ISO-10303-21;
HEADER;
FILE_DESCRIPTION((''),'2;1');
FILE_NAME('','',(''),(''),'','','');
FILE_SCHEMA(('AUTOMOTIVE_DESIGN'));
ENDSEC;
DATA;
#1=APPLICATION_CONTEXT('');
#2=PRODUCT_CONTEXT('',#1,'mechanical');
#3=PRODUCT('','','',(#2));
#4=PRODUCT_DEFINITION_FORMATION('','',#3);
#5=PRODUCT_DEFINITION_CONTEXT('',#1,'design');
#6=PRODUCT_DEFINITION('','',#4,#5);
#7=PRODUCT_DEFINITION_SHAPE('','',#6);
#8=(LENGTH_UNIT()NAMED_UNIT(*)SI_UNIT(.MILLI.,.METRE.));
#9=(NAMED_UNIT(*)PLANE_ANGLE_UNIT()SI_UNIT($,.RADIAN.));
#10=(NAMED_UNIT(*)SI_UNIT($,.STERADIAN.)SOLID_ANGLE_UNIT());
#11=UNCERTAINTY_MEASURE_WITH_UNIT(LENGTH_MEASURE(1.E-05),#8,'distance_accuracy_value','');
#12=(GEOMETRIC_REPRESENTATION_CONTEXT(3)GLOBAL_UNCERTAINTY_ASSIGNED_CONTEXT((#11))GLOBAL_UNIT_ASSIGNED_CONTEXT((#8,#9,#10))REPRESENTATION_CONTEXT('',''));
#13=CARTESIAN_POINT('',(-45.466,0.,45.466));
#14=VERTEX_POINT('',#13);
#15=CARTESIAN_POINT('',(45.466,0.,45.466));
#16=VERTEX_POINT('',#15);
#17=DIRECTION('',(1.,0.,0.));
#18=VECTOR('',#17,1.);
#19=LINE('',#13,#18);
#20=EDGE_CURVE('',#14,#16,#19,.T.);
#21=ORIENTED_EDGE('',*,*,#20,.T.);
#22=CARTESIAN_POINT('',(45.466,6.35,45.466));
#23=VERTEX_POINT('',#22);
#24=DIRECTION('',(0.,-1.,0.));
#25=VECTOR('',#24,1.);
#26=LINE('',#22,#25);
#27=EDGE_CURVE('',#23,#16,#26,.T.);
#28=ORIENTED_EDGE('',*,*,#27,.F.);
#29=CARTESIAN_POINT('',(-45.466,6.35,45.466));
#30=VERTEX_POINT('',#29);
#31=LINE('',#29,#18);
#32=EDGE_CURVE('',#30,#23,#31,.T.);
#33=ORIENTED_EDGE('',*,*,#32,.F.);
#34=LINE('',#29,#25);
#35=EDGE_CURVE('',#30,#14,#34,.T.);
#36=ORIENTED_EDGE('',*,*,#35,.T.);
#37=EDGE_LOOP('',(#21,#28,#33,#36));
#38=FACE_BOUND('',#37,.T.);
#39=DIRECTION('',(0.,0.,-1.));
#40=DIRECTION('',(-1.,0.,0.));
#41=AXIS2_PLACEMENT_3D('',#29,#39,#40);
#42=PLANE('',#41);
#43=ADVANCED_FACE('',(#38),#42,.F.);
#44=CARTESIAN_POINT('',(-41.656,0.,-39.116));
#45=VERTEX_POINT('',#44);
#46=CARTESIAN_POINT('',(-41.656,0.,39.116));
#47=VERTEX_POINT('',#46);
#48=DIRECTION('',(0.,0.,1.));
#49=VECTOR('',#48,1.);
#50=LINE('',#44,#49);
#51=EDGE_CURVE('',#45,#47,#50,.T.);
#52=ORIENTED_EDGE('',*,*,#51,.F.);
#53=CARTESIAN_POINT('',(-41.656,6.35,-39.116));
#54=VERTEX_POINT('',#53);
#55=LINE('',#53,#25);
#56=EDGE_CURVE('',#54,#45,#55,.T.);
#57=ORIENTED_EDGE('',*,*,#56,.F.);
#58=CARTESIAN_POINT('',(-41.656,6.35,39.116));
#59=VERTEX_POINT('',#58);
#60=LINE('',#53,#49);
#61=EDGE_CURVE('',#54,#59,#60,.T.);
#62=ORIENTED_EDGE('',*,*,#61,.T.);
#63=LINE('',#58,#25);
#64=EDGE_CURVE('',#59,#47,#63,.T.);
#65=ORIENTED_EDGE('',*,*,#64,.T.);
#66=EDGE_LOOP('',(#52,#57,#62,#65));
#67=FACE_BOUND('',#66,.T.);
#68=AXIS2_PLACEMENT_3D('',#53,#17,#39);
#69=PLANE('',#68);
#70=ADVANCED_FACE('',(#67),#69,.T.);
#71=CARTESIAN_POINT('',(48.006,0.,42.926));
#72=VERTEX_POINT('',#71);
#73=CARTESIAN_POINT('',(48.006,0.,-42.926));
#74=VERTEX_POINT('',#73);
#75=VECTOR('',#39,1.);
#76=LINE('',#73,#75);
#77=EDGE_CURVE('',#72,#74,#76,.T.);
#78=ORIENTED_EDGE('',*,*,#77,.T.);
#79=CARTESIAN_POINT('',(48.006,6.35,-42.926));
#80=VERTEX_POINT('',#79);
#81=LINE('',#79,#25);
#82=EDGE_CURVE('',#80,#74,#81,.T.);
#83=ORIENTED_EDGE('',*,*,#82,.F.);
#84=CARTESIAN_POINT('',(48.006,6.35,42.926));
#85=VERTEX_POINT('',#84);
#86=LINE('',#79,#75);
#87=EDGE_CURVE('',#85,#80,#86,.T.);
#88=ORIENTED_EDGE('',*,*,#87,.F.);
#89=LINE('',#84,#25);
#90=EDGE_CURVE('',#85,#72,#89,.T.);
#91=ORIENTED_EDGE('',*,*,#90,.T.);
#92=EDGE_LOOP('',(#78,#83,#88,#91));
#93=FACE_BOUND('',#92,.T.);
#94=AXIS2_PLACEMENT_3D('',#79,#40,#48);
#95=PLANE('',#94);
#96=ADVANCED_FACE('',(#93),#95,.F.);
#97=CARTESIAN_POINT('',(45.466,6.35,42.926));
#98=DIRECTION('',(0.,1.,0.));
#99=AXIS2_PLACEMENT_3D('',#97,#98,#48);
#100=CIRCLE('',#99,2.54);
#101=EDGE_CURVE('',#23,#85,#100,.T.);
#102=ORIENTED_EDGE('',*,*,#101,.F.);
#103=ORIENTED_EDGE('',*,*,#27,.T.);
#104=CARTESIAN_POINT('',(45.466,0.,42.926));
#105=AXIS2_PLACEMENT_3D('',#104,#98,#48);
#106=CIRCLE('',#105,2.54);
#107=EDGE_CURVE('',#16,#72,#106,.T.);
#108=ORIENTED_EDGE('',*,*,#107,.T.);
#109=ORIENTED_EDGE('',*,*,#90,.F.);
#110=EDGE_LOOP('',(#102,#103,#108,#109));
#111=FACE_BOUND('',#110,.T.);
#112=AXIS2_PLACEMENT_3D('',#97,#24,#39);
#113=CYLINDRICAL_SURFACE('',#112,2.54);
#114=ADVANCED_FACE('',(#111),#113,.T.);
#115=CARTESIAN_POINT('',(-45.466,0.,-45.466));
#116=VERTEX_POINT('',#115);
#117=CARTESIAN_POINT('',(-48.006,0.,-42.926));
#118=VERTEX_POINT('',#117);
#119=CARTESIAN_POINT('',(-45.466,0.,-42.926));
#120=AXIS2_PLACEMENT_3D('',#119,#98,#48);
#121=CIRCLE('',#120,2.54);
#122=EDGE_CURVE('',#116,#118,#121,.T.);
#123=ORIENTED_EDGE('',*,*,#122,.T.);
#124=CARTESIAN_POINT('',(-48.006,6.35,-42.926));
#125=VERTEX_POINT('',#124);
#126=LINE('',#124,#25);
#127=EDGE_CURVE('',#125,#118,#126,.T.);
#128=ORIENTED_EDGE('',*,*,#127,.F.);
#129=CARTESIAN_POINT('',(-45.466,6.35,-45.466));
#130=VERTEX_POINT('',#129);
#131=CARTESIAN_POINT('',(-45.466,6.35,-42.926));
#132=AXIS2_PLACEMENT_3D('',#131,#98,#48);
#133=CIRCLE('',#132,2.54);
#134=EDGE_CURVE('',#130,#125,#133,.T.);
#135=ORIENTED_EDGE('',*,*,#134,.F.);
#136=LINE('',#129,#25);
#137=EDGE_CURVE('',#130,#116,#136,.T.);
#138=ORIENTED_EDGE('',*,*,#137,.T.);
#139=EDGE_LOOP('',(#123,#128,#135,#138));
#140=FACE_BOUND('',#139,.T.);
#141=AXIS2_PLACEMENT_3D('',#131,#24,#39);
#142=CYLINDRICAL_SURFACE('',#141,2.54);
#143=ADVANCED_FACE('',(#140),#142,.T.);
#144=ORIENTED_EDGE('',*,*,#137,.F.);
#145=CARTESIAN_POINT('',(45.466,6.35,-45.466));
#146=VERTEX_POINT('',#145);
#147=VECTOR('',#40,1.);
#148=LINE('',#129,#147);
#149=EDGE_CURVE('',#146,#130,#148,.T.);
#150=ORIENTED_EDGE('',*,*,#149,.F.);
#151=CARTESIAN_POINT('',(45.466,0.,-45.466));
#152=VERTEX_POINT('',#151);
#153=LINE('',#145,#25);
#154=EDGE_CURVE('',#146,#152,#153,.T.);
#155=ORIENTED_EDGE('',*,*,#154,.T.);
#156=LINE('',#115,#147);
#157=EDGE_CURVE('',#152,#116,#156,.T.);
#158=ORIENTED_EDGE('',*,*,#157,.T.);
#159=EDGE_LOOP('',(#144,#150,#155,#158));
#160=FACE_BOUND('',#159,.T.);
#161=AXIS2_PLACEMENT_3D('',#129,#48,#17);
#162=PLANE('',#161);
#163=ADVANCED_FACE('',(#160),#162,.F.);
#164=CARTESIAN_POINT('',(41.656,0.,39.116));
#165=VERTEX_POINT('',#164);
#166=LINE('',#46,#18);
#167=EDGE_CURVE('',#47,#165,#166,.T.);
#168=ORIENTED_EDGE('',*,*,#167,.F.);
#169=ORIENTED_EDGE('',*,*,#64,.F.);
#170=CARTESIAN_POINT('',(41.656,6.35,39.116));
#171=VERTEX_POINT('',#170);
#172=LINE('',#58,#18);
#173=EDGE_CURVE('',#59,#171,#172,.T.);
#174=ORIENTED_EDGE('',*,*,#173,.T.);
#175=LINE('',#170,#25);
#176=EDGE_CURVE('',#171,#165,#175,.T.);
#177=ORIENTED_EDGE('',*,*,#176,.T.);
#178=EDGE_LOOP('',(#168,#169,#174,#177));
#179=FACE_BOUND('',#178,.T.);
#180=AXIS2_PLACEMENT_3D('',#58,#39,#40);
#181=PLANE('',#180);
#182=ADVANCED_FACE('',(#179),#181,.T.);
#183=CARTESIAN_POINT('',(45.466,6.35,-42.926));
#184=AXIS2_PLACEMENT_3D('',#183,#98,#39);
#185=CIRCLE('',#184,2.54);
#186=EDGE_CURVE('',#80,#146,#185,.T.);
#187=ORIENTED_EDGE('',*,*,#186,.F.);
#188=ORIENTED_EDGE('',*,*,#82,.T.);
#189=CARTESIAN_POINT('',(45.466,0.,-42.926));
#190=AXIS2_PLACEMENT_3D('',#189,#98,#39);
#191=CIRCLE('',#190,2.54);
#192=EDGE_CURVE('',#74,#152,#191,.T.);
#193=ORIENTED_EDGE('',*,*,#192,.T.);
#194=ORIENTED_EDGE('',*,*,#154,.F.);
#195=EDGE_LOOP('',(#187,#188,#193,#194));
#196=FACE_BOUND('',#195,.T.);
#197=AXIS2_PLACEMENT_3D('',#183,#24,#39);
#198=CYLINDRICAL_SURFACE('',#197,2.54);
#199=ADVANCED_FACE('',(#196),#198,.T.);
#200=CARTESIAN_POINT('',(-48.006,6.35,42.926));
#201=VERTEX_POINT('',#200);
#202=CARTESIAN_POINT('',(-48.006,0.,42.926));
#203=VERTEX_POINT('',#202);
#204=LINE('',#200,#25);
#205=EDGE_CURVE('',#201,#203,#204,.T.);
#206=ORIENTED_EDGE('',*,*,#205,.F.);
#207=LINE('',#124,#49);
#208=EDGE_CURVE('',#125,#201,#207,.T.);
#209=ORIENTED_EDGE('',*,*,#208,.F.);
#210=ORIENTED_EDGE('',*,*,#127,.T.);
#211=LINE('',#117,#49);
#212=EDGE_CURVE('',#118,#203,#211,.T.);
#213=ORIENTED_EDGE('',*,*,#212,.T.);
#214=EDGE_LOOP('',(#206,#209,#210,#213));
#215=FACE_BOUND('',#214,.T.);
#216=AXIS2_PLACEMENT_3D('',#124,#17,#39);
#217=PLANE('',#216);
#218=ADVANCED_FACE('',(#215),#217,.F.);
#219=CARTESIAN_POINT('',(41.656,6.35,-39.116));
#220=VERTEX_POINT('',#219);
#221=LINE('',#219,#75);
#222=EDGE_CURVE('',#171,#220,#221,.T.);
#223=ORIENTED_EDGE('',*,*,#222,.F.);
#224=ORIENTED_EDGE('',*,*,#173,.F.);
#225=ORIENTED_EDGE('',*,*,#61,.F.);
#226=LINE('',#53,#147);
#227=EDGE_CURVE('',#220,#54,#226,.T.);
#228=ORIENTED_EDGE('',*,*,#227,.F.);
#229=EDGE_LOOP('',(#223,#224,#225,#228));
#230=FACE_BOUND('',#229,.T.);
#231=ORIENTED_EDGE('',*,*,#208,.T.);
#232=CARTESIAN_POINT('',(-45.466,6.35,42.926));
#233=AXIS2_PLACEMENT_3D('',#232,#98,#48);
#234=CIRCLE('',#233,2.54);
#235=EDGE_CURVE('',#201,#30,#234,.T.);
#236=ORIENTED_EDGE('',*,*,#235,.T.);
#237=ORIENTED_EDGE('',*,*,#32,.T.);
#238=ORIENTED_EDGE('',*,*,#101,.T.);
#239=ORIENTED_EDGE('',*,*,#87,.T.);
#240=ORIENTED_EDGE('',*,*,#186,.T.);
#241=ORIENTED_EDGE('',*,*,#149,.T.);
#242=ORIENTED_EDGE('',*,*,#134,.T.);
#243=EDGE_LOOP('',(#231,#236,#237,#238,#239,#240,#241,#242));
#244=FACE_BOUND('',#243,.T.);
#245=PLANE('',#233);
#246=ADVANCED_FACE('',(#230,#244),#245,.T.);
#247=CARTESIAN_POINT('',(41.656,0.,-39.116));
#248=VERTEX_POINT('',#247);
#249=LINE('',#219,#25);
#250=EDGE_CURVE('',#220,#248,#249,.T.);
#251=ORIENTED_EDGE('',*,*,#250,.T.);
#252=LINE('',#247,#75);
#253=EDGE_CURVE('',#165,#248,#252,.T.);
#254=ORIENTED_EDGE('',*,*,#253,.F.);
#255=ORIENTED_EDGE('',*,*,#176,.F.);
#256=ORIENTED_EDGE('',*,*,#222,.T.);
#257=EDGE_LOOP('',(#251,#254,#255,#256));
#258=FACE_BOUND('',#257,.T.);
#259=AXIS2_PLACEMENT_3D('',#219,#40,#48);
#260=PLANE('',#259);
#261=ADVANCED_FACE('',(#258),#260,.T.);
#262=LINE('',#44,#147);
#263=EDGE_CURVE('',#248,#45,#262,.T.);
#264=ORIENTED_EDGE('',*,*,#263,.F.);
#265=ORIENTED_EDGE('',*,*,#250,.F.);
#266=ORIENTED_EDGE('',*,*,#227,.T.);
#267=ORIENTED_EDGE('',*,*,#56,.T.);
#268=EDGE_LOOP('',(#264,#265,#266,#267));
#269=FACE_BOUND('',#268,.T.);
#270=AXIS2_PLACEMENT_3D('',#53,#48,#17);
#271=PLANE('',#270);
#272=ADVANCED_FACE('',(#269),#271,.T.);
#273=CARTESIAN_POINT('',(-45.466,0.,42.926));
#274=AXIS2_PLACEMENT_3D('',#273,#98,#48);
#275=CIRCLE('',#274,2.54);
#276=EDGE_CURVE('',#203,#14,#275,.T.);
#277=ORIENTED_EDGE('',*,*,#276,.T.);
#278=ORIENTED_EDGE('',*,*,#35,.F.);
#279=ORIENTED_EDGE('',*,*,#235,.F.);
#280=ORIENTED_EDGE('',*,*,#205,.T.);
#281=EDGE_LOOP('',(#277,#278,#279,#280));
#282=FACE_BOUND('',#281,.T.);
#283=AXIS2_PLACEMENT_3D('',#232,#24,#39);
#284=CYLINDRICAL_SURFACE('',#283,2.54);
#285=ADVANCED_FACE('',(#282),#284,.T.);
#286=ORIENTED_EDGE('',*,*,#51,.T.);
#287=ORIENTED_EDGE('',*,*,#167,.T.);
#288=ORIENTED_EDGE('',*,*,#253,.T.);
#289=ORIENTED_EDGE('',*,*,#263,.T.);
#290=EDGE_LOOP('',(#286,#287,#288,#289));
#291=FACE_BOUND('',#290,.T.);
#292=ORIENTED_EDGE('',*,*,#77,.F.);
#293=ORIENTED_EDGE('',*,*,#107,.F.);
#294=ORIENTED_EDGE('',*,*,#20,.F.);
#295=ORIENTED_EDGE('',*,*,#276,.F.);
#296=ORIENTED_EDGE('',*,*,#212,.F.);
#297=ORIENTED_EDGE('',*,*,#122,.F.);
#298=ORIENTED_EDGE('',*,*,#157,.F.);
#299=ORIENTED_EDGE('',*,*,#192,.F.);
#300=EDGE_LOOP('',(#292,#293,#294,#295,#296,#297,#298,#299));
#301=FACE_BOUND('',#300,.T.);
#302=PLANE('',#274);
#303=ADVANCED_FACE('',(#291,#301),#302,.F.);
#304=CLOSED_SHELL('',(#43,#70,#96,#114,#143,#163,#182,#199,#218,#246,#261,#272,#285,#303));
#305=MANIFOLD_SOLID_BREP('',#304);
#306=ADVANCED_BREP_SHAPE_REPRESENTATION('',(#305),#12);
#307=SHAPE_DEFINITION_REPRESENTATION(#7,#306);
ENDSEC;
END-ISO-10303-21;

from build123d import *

# Parameters (mm, degrees)
SKETCH1_W           = 83.312
SKETCH1_H           = 78.232
BOSS_EXTRUDE1_DEPTH = 6.35


with BuildPart() as part:
    # Sketch1 → Boss-Extrude1 (new body)
    with BuildSketch(Plane(origin=(0, 0, 0), x_dir=(1, 0, 0), z_dir=(0, 1, 0))):
        with BuildLine():
            Line((-45.466, 45.466), (45.466, 45.466))
            ThreePointArc((45.466, 45.466), (47.262051224, 44.722051224), (48.006, 42.926))
            Line((48.006, 42.926), (48.006, -42.926))
            ThreePointArc((48.006, -42.926), (47.262051224, -44.722051224), (45.466, -45.466))
            Line((45.466, -45.466), (-45.466, -45.466))
            ThreePointArc((-45.466, -45.466), (-47.262051224, -44.722051224), (-48.006, -42.926))
            Line((-48.006, -42.926), (-48.006, 42.926))
            ThreePointArc((-48.006, 42.926), (-47.262051224, 44.722051224), (-45.466, 45.466))
        make_face()
        Rectangle(SKETCH1_W, SKETCH1_H, mode=Mode.SUBTRACT)
    extrude(amount=BOSS_EXTRUDE1_DEPTH)


solid = part.part
